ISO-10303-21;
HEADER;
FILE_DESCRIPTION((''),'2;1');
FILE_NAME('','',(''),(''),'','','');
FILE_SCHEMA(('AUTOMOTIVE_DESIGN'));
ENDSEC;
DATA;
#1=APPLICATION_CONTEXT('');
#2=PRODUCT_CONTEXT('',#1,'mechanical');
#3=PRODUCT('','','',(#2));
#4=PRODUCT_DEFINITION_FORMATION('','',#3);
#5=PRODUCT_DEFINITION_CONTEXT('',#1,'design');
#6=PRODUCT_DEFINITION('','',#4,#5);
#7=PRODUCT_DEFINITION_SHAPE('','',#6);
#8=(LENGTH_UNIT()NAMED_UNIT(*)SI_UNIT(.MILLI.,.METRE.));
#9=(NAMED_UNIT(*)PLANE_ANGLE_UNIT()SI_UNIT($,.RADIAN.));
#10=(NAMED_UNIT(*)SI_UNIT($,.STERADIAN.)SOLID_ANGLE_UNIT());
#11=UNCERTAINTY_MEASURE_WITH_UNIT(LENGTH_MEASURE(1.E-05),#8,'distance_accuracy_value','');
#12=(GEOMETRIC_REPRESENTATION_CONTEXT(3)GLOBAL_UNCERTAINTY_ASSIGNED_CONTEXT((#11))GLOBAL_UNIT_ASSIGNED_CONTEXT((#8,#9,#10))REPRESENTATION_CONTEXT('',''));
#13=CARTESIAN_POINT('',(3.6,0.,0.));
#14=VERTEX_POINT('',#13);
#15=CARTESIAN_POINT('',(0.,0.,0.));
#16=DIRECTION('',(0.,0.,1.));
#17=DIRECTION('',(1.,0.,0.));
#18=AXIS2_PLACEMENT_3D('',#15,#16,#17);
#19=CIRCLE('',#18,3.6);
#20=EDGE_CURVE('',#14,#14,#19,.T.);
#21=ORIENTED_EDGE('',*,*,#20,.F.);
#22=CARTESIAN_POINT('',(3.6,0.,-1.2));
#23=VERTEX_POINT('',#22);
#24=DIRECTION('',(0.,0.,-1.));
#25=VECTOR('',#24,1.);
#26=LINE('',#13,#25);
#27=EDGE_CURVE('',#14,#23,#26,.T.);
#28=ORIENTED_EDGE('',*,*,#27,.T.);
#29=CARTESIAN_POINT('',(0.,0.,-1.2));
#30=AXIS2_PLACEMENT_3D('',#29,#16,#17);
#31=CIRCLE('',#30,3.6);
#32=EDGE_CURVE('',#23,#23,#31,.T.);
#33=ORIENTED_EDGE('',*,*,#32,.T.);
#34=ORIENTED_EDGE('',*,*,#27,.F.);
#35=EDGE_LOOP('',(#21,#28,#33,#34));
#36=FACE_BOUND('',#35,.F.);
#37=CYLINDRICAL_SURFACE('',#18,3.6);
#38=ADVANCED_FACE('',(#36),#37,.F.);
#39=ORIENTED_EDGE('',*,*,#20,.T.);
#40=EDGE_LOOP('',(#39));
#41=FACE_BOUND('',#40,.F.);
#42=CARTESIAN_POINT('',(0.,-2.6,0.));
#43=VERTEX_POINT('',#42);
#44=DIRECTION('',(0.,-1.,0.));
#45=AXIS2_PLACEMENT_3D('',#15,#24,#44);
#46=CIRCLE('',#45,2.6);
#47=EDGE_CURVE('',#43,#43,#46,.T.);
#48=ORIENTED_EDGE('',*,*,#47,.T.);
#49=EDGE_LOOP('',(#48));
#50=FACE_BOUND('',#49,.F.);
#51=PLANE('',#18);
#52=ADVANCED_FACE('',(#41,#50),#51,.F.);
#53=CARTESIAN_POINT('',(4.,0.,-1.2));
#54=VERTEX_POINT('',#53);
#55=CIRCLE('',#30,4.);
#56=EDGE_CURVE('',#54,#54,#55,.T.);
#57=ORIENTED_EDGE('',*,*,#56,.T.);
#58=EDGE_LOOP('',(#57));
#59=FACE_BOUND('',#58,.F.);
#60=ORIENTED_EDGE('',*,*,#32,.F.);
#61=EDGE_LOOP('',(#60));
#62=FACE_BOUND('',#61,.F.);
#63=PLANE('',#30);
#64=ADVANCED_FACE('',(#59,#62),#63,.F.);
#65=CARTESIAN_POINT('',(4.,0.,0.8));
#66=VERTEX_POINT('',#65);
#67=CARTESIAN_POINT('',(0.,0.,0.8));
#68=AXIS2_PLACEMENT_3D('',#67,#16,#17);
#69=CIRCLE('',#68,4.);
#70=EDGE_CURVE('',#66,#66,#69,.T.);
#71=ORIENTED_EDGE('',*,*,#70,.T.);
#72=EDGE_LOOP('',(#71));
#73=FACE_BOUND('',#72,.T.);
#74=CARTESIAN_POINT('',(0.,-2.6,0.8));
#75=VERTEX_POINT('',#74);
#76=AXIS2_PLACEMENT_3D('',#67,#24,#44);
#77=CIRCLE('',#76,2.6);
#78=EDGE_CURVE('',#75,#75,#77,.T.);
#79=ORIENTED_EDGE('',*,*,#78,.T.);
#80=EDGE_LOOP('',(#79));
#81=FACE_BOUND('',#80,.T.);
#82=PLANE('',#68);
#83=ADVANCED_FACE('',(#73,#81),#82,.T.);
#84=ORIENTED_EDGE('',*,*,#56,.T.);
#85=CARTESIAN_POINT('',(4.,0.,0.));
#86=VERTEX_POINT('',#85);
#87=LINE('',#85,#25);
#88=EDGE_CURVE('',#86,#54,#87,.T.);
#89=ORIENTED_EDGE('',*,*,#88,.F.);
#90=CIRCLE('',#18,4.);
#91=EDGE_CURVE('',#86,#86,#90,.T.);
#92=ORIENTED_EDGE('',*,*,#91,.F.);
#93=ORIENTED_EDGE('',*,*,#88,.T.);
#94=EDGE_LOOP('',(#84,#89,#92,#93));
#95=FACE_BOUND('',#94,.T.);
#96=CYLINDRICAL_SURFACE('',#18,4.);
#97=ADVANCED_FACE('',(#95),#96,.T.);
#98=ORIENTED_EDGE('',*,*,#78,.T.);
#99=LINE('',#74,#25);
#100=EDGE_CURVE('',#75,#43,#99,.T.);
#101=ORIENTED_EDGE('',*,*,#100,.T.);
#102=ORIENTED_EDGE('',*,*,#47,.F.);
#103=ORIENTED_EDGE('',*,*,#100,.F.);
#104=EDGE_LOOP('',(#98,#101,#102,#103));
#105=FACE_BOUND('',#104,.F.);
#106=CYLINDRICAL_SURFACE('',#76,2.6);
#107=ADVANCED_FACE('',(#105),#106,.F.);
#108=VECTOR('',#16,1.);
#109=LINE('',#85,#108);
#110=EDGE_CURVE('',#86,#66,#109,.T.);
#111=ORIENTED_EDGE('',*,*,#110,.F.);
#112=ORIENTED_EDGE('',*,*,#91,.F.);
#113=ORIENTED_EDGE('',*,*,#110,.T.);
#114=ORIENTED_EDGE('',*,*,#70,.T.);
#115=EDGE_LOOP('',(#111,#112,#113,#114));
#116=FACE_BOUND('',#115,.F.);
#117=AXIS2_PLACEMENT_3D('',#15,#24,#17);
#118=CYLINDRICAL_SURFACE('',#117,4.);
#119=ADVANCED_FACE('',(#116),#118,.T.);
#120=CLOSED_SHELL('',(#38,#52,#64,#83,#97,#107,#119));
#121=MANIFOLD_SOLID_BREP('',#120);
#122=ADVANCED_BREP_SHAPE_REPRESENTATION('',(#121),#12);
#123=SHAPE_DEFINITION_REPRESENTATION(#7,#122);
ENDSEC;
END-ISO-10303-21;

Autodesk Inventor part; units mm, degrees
ref_plane "YZ Plane" through (0, 0, 0) normal (1, 0, 0) x (0, 1, 0)
ref_plane "XZ Plane" through (0, 0, 0) normal (0, 1, 0) x (-1, 0, 0)
ref_plane "XY Plane" through (0, 0, 0) normal (0, 0, 1) x (1, 0, 0)
sketch "Sketch1" plane through (0, 0, 0) normal (0, 0, 1) x (1, 0, 0)
  circle A0 centre (0, 0) radius 4
  dimension "d0" = 8
extrude "Extrusion1" add sketch "Sketch1" along normal blind 0.8
sketch "Sketch2" plane through (0, 0, 0) normal (0, 0, 1) x (1, 0, 0)
  circle A0 centre (0, 0) radius 3.6
  circle A1 centre (0, 0) radius 4 projected
  dimension "d3" = 7.2
extrude "Extrusion2" add sketch "Sketch2" against normal blind 1.2
sketch "Sketch3" plane through (0, 0, 0.8) normal (0, 0, 1) x (1, 0, 0)
  point P0 (0, 0)
hole "Hole1" at (0, 0, 0.8) direction (0, 0, -1) diameter 5.2 end through all
properties part number "LabyrinthSealOuter"
